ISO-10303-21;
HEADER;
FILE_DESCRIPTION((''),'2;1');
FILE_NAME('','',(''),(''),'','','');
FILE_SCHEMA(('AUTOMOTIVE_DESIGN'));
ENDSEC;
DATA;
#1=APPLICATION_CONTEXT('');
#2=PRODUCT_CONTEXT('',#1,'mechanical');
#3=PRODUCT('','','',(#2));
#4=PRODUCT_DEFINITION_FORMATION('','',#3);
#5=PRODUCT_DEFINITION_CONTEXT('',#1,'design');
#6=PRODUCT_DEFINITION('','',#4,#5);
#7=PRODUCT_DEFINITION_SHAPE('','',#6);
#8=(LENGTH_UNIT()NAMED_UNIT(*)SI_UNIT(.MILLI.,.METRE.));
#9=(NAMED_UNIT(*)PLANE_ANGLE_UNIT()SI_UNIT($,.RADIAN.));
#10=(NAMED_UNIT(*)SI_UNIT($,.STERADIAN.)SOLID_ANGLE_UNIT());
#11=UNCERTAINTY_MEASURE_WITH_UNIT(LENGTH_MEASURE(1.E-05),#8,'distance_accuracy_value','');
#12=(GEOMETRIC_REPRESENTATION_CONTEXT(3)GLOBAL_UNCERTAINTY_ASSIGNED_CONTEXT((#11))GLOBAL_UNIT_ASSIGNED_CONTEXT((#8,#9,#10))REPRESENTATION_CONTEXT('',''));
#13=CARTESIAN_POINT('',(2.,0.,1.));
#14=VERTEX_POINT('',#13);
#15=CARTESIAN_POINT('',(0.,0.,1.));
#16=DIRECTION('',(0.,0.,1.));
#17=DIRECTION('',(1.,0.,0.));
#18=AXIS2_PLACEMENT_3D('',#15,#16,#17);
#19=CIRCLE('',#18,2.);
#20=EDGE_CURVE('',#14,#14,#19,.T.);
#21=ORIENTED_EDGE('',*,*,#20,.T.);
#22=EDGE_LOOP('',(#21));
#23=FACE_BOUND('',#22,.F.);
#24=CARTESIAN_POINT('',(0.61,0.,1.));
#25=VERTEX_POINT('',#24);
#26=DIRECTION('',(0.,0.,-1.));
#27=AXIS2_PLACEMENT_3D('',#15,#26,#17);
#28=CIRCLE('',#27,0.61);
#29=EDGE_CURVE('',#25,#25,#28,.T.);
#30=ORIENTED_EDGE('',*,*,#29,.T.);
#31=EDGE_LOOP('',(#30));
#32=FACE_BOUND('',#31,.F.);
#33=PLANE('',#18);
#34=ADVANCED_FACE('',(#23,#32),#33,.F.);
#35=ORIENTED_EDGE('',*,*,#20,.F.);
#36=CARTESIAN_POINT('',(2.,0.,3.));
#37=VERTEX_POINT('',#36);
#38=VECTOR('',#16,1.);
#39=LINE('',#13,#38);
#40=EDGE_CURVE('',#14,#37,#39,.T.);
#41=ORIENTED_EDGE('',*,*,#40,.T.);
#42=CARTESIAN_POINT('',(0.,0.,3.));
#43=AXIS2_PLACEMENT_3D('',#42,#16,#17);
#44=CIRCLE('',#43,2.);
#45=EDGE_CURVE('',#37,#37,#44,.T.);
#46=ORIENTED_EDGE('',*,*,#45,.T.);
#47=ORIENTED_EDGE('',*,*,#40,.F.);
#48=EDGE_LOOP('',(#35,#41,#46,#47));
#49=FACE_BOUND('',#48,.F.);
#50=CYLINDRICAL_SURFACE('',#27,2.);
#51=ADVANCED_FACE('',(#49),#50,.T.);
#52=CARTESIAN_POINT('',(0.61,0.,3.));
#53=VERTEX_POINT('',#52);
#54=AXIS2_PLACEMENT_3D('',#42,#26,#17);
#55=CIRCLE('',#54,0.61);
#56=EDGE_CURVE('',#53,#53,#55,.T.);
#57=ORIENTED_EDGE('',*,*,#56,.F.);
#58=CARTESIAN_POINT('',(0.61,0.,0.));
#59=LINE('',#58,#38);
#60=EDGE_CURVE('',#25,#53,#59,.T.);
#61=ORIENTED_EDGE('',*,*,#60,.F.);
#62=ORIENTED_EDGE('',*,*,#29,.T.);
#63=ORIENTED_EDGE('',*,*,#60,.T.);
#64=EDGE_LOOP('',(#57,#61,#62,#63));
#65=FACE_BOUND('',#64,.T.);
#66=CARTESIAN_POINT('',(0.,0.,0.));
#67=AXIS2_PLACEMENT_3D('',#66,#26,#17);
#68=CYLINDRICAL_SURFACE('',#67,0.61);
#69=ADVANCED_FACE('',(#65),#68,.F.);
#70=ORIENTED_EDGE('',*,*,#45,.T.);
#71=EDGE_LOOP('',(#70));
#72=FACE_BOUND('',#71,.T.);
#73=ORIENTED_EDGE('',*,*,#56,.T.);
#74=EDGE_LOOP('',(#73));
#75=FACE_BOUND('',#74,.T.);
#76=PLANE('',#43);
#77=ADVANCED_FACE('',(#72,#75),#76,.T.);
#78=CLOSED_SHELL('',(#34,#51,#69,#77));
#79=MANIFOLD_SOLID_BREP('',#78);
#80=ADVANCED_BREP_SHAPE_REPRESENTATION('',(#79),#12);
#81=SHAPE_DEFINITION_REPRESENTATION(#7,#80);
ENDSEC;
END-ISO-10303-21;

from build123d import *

# Parameters (mm, degrees)
CYLINDER003_R     = 0.61
CYLINDER003_DEPTH = 10
CYLINDER006_R     = 2
CYLINDER006_DEPTH = 2


with BuildPart() as cylinder003:
    # Cylinder003 → Cylinder003 (new body)
    with BuildSketch(Plane.XY):
        Circle(CYLINDER003_R)
    extrude(amount=CYLINDER003_DEPTH)


with BuildPart() as coilfront:
    # Cylinder006 → Cylinder006 (new body)
    with BuildSketch(Plane.XY.offset(1)):
        Circle(CYLINDER006_R)
    extrude(amount=CYLINDER006_DEPTH)

    # Cut006: cut Cylinder003
    add(cylinder003.part, mode=Mode.SUBTRACT)


solid = coilfront.part
